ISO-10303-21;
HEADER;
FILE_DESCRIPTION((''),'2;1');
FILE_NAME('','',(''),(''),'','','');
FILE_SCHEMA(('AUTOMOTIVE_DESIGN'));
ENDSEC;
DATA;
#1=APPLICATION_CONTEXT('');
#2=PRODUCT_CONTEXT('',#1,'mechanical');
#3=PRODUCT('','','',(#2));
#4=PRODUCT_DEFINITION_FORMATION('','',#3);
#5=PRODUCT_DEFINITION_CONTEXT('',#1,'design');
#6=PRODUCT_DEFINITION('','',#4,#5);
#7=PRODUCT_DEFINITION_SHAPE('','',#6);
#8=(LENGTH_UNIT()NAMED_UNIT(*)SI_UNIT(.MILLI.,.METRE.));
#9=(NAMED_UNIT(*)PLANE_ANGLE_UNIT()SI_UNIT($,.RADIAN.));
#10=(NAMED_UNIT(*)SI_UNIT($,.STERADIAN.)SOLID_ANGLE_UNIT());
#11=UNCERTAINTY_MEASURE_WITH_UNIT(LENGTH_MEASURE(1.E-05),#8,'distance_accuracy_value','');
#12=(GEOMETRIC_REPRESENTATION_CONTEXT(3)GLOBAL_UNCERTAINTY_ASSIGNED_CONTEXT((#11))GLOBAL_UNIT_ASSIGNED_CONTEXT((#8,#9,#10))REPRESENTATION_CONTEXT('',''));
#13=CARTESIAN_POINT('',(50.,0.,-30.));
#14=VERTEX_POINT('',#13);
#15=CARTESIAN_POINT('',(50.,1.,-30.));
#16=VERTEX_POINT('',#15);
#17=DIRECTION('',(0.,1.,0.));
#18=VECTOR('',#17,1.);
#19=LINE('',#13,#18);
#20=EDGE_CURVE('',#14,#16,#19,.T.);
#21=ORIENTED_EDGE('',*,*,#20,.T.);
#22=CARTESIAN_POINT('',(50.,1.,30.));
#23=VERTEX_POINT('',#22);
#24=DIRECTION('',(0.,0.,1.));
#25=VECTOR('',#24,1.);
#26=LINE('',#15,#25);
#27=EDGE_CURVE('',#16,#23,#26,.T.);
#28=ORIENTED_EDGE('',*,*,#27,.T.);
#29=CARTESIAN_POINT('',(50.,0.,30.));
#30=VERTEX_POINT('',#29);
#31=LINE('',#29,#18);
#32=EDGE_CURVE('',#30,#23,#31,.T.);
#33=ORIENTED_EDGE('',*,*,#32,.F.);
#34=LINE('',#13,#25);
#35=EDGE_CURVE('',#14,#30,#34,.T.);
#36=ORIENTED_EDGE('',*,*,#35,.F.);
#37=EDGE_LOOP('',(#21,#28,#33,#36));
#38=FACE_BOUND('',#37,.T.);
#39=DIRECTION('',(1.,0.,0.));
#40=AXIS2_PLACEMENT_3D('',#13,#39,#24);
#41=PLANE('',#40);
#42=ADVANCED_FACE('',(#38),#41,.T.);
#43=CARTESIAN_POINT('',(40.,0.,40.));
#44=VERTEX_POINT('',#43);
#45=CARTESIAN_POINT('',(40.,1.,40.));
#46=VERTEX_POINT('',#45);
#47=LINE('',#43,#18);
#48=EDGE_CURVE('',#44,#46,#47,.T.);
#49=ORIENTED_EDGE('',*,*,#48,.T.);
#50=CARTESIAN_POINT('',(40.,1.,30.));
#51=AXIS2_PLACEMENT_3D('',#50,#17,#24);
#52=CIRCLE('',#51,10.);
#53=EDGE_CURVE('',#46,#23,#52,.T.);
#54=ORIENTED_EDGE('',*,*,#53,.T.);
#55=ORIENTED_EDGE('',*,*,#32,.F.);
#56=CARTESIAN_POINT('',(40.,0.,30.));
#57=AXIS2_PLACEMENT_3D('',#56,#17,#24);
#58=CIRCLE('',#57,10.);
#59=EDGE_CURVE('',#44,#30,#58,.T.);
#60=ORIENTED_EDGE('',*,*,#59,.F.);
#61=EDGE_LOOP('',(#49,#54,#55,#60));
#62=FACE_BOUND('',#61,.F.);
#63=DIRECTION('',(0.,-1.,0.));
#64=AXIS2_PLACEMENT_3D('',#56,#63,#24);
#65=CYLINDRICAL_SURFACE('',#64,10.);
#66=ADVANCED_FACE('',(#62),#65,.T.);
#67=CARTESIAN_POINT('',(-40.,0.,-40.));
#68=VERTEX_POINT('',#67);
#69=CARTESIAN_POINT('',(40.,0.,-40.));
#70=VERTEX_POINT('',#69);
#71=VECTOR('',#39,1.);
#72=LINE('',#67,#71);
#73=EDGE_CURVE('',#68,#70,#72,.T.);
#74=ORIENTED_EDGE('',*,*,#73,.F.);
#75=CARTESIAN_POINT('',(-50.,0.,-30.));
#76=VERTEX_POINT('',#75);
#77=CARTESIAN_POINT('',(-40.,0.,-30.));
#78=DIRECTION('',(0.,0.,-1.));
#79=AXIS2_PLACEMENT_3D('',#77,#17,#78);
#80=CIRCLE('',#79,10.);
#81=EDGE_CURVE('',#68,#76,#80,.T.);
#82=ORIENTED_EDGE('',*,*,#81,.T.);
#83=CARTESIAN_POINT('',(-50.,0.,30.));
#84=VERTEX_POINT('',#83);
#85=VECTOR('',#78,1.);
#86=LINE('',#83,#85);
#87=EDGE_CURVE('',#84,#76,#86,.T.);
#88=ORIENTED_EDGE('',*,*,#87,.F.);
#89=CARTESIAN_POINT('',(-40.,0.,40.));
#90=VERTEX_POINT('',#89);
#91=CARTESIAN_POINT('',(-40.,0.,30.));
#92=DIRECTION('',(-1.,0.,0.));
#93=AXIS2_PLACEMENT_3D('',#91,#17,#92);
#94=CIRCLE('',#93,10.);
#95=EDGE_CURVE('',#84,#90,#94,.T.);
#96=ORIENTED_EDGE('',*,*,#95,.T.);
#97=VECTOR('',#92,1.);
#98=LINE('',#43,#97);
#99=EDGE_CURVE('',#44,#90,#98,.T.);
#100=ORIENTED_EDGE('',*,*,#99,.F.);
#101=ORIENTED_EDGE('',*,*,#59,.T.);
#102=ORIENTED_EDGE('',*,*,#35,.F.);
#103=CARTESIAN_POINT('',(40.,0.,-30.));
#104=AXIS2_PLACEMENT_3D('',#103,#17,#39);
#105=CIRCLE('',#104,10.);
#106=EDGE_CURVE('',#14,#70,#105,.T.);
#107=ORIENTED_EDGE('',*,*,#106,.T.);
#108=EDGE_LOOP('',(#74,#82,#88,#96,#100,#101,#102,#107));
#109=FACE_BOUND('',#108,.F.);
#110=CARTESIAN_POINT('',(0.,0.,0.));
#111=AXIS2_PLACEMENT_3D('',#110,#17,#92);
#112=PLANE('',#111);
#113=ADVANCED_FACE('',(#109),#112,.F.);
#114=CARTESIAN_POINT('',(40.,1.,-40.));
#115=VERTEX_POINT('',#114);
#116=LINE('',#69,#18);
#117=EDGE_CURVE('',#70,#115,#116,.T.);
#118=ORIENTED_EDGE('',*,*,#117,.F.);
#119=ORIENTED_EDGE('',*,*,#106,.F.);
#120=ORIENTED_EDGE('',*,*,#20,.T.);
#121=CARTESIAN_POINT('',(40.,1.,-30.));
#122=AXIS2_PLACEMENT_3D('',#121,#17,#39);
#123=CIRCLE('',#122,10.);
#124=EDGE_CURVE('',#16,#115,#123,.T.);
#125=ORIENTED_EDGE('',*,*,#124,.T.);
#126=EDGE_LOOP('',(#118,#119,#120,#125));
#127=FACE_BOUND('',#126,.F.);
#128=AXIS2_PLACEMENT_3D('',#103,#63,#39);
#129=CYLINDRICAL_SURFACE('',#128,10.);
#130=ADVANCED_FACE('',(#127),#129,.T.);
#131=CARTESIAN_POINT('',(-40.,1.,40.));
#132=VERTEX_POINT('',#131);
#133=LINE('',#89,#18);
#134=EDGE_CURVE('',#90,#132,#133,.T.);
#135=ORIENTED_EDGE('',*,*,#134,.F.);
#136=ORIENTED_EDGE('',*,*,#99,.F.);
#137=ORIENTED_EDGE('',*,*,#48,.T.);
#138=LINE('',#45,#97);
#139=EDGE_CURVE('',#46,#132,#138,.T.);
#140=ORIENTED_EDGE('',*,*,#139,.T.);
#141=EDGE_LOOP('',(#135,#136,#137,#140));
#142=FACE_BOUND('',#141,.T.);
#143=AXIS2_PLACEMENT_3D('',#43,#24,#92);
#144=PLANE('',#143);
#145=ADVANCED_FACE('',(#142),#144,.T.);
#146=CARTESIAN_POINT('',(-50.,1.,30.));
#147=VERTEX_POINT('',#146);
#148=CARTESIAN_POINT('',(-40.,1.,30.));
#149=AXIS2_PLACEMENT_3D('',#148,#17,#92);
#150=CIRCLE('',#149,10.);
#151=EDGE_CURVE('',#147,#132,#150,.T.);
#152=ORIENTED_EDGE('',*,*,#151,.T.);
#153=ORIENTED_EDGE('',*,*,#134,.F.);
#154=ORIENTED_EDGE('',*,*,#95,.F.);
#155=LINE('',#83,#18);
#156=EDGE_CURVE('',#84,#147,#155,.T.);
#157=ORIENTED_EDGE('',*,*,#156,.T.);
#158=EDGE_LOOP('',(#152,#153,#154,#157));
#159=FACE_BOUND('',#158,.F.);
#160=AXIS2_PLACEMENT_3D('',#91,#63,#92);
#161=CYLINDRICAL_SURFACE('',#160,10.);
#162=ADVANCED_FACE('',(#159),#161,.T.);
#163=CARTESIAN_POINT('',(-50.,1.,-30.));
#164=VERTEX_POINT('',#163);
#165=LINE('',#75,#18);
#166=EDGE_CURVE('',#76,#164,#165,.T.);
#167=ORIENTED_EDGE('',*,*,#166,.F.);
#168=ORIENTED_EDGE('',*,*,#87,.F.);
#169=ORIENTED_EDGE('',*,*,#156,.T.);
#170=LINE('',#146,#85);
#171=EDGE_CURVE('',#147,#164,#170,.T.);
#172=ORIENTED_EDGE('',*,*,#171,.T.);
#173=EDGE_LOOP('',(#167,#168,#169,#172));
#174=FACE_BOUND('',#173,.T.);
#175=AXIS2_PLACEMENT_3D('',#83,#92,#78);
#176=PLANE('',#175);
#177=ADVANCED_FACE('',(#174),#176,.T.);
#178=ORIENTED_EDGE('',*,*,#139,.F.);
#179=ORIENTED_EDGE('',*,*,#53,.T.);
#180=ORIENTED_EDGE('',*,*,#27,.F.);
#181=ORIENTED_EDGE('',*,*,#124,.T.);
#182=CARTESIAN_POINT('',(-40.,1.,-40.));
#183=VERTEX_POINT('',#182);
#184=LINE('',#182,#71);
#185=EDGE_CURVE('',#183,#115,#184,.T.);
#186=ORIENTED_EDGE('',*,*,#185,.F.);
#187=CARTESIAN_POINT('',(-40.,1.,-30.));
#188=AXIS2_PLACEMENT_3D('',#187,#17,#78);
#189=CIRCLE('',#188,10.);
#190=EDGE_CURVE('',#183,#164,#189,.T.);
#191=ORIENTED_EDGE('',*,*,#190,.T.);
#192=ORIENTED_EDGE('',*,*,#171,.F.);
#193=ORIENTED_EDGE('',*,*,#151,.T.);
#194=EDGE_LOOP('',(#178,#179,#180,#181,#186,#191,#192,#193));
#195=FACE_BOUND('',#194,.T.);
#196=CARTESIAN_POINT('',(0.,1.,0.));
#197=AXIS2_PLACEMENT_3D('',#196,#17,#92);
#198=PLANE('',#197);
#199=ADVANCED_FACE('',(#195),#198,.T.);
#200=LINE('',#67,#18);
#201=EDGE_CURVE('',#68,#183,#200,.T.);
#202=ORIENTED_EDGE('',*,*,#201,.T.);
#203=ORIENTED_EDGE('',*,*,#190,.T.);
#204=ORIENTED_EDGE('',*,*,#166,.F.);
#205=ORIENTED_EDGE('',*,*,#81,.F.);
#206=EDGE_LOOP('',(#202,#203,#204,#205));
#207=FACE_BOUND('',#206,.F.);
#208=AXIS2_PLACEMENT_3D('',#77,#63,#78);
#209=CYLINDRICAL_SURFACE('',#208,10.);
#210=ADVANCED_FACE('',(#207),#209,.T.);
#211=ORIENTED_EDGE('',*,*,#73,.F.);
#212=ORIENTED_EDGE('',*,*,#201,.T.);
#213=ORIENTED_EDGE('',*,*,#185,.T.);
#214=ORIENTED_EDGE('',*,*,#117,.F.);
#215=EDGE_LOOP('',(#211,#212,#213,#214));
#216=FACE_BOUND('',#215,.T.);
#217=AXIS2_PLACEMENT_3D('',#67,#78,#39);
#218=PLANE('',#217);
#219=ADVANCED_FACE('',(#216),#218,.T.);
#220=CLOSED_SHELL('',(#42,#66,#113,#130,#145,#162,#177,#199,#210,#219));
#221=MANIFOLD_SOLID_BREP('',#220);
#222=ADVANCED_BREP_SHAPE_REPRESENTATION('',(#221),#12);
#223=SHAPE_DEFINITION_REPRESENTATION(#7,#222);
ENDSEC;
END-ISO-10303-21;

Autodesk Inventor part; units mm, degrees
ref_plane "YZ Plane" through (0, 0, 0) normal (1, 0, 0) x (0, 1, 0)
ref_plane "XZ Plane" through (0, 0, 0) normal (0, 1, 0) x (-1, 0, 0)
ref_plane "XY Plane" through (0, 0, 0) normal (0, 0, 1) x (1, 0, 0)
sketch "Sketch1" plane through (0, 0, 0) normal (0, 1, 0) x (-1, 0, 0)
  line L0 (-40, 40) -> (40, 40)
  line L1 (50, 30) -> (50, -30)
  line L2 (40, -40) -> (-40, -40)
  line L3 (-50, -30) -> (-50, 30)
  line L4 (-50, 40) -> (50, -40) construction
  line L5 (50, 40) -> (-50, -40) construction
  arc A0 (40, -40) -> (50, -30) centre (40, -30) ccw
  arc A1 (-50, -30) -> (-40, -40) centre (-40, -30) ccw
  arc A2 (50, 30) -> (40, 40) centre (40, 30) ccw
  arc A3 (-40, 40) -> (-50, 30) centre (-40, 30) ccw
  point P0 (0, 0)
  dimension "d0" = 80
  dimension "d1" = 100
  dimension "d4" = 10
extrude "Extrusion1" add sketch "Sketch1" along normal blind 1
properties part number "343thermalpad"
